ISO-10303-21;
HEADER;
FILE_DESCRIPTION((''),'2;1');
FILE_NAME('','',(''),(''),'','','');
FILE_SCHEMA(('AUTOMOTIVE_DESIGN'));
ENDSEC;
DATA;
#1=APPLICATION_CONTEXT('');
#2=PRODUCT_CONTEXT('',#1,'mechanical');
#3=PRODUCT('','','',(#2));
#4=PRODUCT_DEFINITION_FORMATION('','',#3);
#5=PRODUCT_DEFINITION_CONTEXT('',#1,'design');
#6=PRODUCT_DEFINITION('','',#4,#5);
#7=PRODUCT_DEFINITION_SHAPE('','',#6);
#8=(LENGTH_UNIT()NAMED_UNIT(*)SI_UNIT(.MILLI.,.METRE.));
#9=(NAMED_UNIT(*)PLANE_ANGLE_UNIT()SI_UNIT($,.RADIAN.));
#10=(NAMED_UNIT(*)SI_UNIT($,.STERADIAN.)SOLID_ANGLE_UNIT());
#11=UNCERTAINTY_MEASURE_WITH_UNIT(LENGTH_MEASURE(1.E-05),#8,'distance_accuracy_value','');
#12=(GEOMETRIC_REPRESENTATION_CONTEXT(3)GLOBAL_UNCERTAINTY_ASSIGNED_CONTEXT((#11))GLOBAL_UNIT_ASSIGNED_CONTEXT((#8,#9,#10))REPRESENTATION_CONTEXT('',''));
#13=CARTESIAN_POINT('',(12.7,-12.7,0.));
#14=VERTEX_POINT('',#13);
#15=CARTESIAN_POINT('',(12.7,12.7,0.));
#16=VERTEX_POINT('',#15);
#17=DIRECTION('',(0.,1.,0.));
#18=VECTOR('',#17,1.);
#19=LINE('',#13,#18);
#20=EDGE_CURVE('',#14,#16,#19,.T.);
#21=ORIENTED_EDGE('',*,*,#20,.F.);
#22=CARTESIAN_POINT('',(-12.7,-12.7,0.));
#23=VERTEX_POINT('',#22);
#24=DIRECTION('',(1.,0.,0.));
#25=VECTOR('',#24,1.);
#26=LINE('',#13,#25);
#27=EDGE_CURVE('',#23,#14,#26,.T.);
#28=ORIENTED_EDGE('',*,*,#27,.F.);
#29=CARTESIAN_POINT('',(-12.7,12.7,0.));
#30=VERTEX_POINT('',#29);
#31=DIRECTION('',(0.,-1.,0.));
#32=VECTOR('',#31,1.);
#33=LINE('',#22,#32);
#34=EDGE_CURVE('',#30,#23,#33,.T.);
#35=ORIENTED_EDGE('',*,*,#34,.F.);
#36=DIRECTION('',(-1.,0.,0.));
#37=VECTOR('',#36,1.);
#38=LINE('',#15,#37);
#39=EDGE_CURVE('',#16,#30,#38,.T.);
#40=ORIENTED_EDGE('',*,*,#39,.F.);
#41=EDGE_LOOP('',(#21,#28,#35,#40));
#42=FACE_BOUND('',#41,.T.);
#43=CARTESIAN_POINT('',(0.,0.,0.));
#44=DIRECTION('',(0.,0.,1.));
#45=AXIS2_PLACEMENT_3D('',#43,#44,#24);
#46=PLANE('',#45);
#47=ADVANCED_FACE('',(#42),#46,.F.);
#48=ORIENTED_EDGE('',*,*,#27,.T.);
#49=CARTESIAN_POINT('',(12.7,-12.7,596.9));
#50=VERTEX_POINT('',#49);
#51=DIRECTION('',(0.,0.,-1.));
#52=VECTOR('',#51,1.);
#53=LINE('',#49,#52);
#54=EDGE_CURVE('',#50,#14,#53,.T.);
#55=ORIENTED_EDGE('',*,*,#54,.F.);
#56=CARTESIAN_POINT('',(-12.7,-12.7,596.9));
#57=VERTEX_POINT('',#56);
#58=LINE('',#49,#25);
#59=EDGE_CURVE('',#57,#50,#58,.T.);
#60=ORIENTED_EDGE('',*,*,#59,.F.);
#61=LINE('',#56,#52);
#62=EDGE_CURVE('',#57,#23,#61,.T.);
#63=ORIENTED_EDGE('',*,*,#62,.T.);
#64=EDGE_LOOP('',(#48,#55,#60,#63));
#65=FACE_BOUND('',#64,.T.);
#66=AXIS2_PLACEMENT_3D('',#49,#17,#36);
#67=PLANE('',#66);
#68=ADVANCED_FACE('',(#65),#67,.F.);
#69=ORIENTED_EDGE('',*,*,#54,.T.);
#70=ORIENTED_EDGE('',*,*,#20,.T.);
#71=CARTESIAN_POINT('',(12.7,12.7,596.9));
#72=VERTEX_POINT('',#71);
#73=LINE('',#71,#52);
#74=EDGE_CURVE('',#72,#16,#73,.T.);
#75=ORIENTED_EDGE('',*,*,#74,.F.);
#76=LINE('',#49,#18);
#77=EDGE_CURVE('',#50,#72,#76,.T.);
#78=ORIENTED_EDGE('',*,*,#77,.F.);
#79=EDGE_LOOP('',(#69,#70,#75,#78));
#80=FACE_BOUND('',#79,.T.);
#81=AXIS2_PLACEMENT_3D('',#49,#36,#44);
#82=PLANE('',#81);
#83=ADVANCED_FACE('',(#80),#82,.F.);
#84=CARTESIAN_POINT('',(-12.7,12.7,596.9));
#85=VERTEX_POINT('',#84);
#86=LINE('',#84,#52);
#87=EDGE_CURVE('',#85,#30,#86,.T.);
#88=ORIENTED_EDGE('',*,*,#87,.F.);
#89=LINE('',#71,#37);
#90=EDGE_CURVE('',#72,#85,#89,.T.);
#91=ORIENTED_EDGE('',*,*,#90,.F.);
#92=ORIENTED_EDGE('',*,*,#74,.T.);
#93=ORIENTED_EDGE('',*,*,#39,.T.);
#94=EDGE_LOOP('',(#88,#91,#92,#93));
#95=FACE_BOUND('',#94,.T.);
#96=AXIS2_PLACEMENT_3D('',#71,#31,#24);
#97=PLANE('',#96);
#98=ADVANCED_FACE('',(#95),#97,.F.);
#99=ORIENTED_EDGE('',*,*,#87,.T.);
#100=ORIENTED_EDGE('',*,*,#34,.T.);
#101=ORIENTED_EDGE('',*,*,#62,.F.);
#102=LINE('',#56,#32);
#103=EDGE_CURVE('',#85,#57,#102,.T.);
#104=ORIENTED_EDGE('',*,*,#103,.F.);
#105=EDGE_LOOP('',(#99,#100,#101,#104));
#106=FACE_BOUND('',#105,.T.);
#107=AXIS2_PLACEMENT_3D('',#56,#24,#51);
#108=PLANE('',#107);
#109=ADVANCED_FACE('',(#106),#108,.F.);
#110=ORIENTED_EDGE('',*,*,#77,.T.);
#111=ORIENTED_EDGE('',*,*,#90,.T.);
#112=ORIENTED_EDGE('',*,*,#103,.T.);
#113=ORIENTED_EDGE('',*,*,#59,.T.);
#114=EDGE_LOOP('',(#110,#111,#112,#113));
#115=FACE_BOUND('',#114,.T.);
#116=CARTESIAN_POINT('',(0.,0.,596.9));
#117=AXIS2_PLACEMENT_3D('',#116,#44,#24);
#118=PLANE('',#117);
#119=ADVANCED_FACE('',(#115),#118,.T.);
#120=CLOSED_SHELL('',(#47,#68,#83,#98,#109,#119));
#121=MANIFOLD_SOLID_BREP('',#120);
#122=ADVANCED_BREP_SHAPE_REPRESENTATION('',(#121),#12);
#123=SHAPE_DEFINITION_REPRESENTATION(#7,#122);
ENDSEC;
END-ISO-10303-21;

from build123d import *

# Parameters (mm, degrees)
SKETCH1_W           = 25.4
SKETCH1_H           = 25.4
BOSS_EXTRUDE1_DEPTH = 596.9


with BuildPart() as part:
    # Sketch1 → Boss-Extrude1 (new body)
    with BuildSketch(Plane.XY):
        Rectangle(SKETCH1_W, SKETCH1_H)
    extrude(amount=BOSS_EXTRUDE1_DEPTH)


solid = part.part
